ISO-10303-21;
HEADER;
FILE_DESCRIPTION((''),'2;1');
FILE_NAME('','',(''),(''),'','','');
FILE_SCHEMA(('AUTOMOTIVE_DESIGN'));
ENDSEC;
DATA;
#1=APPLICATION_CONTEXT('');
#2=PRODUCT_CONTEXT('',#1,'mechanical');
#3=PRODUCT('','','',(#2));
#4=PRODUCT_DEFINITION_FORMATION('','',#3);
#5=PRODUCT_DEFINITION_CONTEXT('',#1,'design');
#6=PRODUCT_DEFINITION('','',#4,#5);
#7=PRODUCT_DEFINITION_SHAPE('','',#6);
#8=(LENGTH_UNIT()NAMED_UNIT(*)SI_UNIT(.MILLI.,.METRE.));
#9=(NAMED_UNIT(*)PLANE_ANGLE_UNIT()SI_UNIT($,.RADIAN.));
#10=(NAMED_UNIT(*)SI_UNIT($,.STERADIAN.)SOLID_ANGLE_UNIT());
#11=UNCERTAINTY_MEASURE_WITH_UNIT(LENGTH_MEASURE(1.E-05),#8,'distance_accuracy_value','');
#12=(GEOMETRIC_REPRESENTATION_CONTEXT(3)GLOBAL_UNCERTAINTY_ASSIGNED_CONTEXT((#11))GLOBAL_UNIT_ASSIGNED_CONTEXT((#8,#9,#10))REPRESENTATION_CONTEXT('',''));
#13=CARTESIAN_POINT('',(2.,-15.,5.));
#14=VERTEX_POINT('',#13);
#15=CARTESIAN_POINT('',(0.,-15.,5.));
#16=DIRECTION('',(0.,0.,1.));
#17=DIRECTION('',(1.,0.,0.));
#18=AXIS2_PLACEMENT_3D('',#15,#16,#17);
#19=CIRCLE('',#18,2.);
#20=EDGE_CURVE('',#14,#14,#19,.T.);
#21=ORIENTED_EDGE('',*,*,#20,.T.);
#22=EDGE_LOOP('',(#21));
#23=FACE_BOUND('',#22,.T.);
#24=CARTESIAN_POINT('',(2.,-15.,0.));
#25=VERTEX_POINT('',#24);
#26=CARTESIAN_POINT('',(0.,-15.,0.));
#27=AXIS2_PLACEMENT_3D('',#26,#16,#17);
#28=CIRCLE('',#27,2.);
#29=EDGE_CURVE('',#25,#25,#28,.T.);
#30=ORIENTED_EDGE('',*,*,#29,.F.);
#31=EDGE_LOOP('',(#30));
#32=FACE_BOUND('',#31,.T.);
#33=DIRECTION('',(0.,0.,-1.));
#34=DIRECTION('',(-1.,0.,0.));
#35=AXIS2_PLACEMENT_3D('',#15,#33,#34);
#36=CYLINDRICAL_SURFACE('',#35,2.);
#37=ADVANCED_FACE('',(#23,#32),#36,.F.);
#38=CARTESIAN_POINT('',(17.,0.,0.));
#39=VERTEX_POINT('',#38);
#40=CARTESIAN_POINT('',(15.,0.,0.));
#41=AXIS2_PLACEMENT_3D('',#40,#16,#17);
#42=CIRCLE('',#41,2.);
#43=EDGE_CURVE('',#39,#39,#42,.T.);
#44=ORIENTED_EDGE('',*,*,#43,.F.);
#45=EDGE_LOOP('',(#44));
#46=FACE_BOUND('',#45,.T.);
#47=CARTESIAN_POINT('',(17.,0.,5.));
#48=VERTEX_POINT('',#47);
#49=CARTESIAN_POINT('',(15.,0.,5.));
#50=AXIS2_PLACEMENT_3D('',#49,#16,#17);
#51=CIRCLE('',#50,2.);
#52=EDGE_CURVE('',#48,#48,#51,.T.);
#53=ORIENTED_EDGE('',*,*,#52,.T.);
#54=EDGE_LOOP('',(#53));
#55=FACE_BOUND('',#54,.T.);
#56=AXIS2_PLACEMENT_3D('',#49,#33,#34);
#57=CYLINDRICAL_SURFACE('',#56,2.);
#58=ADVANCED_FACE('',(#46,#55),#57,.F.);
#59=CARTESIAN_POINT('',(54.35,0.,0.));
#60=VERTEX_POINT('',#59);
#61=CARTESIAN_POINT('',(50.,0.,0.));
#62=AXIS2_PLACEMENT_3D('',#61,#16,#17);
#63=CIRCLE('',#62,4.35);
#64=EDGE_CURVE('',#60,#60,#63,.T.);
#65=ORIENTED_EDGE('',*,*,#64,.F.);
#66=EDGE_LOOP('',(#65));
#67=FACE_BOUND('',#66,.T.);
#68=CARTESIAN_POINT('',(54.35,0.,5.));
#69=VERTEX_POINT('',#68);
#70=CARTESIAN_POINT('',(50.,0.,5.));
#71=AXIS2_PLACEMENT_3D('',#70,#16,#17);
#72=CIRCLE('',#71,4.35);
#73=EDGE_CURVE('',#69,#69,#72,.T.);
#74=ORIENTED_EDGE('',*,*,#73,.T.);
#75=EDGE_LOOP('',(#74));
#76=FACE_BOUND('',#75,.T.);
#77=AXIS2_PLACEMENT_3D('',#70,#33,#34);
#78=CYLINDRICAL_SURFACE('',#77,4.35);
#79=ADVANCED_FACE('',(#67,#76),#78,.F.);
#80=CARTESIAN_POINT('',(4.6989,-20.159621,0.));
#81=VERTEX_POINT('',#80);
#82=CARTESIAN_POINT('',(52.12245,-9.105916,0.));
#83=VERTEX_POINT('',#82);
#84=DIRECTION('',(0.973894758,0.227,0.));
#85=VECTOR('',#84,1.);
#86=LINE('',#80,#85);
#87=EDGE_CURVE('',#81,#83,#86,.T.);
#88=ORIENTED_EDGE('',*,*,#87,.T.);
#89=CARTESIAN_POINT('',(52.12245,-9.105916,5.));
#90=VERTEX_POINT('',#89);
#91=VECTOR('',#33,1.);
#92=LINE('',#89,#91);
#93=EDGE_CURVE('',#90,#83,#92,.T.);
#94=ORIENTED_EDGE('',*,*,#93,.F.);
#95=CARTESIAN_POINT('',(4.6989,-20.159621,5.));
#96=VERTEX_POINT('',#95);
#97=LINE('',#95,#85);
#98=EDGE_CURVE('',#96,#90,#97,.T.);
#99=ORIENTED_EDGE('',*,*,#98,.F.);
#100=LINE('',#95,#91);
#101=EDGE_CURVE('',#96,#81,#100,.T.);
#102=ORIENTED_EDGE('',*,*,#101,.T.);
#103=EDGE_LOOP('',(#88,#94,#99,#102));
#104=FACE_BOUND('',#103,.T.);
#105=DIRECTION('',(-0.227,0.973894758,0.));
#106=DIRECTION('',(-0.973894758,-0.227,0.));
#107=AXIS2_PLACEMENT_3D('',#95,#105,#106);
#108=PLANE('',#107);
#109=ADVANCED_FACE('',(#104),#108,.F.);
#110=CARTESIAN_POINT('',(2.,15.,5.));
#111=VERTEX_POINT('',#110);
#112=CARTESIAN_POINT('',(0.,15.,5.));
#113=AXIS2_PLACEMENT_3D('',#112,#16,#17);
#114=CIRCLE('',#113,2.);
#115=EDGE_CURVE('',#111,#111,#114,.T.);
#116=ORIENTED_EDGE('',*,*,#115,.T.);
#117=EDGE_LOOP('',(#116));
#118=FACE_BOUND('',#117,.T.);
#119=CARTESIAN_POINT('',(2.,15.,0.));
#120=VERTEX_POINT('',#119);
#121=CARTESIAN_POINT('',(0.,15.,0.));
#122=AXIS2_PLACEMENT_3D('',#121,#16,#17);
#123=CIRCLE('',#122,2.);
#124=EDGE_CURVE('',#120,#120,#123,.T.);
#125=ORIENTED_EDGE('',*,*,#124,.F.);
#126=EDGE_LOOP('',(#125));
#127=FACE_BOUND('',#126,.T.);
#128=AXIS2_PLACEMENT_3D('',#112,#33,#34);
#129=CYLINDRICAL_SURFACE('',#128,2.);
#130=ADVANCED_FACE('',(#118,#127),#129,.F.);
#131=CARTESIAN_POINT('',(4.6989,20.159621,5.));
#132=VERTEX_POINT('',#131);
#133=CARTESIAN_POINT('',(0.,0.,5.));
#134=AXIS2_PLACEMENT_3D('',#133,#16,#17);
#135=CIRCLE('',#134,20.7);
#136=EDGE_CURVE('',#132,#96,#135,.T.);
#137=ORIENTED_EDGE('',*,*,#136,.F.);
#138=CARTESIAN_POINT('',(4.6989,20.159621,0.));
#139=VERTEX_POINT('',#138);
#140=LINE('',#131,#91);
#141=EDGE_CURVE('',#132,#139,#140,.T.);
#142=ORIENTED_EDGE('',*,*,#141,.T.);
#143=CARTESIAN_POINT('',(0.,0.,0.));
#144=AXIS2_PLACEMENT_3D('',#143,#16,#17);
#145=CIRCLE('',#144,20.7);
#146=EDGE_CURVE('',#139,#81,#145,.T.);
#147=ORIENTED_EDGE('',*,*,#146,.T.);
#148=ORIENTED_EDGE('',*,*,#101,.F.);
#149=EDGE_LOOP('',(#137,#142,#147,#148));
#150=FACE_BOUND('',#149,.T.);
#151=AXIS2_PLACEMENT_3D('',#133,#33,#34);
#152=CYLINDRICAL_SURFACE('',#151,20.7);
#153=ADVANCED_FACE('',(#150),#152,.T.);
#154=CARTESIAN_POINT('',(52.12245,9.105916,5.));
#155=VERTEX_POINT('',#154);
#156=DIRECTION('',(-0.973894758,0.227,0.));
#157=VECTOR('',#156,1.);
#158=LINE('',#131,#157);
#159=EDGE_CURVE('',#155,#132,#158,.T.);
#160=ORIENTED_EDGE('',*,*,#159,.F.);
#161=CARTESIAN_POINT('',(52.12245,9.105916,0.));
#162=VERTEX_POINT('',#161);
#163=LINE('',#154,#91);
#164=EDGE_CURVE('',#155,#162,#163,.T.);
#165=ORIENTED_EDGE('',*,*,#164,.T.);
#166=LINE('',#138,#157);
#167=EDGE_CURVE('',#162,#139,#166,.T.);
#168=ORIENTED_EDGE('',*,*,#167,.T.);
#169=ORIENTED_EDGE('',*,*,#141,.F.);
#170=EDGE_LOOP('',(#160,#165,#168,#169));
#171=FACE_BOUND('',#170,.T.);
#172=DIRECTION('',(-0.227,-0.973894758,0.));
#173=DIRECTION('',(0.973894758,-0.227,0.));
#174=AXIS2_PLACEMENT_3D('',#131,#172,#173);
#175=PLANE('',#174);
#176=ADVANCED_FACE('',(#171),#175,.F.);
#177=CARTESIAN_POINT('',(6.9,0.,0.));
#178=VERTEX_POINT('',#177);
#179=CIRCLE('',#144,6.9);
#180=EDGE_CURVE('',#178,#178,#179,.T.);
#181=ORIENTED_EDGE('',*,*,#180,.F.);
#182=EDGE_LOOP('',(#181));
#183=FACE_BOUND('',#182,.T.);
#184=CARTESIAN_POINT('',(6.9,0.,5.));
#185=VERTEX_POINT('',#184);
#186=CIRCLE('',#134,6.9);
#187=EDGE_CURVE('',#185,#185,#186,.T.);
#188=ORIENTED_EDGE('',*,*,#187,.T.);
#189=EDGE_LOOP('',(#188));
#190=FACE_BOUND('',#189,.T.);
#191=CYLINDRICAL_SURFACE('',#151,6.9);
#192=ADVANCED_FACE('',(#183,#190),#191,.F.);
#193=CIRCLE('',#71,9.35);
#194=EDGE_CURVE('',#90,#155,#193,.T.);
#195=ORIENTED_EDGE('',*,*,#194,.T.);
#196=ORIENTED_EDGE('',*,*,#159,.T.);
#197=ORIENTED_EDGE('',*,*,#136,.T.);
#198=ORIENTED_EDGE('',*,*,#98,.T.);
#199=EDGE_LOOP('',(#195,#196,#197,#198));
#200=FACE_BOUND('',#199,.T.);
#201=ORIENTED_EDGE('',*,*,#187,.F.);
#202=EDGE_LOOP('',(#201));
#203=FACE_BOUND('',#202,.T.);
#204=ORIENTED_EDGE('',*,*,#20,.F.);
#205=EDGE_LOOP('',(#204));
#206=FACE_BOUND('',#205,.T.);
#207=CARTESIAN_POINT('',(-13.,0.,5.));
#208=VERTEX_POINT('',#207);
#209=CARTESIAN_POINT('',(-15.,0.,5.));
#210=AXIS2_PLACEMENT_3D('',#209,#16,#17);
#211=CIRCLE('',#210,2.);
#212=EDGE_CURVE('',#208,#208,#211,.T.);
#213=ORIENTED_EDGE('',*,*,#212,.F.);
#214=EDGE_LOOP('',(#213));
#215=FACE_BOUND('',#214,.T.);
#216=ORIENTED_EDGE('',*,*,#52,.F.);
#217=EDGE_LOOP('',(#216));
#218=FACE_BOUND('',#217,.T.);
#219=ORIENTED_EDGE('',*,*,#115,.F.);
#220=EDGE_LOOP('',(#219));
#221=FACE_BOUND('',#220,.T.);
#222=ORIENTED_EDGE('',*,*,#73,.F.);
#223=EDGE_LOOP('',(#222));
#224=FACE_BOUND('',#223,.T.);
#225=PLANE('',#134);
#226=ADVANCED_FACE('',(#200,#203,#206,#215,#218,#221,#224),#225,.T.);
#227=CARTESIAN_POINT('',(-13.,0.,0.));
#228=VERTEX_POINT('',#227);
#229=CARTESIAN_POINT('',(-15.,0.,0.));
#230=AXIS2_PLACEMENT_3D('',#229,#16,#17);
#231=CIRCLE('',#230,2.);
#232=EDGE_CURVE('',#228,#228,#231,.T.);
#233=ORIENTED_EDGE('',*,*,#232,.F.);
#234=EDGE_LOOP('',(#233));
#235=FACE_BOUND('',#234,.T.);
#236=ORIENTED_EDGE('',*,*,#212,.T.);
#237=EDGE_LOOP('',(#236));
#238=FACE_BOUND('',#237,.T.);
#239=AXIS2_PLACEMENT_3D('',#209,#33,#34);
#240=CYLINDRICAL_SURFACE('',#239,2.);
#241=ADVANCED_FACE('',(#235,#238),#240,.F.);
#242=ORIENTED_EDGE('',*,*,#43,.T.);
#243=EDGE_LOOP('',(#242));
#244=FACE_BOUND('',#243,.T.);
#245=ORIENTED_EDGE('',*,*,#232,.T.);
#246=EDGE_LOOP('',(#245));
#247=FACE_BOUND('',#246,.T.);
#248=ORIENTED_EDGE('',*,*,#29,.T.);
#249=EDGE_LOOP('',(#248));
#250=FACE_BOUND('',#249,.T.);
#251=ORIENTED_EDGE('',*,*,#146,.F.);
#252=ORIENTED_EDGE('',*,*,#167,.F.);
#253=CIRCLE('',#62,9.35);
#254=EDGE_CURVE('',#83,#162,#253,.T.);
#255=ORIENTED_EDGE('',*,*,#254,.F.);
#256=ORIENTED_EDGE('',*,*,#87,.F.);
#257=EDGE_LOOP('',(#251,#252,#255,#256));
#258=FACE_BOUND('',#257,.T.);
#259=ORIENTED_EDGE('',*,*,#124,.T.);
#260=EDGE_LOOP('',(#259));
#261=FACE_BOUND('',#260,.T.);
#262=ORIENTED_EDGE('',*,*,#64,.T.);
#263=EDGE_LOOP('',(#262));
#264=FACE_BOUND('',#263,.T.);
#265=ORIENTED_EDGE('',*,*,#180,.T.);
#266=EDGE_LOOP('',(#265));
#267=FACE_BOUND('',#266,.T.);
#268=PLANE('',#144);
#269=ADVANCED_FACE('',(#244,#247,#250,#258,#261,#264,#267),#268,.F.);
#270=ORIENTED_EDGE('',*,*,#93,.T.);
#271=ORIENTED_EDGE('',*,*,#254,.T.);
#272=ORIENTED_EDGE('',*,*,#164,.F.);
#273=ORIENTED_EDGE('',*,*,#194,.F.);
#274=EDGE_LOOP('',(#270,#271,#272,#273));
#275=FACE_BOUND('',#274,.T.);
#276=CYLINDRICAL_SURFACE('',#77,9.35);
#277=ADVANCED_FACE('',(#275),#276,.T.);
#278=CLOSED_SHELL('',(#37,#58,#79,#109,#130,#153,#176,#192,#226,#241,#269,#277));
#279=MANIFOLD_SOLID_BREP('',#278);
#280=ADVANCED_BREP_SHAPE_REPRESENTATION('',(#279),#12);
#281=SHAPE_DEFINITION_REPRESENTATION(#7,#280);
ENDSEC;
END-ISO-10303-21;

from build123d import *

# Parameters (mm, degrees)
SKETCH1_R           = 6.9
SKETCH1_R_2         = 4.35
SKETCH1_R_3         = 2
BOSS_EXTRUDE1_DEPTH = 5


with BuildPart() as part:
    # Sketch1 → Boss-Extrude1 (new body)
    with BuildSketch(Plane.XY):
        with BuildLine():
            Line((4.6989, 20.159621494), (52.12245, 9.105915989))
            ThreePointArc((52.12245, 9.105915989), (59.35, 0), (52.12245, -9.105915989))
            Line((52.12245, -9.105915989), (4.6989, -20.159621494))
            ThreePointArc((4.6989, -20.159621494), (-20.7, 0), (4.6989, 20.159621494))
        make_face()
        Circle(SKETCH1_R, mode=Mode.SUBTRACT)
        with Locations((50, 0)):
            Circle(SKETCH1_R_2, mode=Mode.SUBTRACT)
        with Locations((15, 0)):
            Circle(SKETCH1_R_3, mode=Mode.SUBTRACT)
        with Locations((0, -15)):
            Circle(SKETCH1_R_3, mode=Mode.SUBTRACT)
        with Locations((-15, 0)):
            Circle(SKETCH1_R_3, mode=Mode.SUBTRACT)
        with Locations((0, 15)):
            Circle(SKETCH1_R_3, mode=Mode.SUBTRACT)
    extrude(amount=BOSS_EXTRUDE1_DEPTH)


solid = part.part
